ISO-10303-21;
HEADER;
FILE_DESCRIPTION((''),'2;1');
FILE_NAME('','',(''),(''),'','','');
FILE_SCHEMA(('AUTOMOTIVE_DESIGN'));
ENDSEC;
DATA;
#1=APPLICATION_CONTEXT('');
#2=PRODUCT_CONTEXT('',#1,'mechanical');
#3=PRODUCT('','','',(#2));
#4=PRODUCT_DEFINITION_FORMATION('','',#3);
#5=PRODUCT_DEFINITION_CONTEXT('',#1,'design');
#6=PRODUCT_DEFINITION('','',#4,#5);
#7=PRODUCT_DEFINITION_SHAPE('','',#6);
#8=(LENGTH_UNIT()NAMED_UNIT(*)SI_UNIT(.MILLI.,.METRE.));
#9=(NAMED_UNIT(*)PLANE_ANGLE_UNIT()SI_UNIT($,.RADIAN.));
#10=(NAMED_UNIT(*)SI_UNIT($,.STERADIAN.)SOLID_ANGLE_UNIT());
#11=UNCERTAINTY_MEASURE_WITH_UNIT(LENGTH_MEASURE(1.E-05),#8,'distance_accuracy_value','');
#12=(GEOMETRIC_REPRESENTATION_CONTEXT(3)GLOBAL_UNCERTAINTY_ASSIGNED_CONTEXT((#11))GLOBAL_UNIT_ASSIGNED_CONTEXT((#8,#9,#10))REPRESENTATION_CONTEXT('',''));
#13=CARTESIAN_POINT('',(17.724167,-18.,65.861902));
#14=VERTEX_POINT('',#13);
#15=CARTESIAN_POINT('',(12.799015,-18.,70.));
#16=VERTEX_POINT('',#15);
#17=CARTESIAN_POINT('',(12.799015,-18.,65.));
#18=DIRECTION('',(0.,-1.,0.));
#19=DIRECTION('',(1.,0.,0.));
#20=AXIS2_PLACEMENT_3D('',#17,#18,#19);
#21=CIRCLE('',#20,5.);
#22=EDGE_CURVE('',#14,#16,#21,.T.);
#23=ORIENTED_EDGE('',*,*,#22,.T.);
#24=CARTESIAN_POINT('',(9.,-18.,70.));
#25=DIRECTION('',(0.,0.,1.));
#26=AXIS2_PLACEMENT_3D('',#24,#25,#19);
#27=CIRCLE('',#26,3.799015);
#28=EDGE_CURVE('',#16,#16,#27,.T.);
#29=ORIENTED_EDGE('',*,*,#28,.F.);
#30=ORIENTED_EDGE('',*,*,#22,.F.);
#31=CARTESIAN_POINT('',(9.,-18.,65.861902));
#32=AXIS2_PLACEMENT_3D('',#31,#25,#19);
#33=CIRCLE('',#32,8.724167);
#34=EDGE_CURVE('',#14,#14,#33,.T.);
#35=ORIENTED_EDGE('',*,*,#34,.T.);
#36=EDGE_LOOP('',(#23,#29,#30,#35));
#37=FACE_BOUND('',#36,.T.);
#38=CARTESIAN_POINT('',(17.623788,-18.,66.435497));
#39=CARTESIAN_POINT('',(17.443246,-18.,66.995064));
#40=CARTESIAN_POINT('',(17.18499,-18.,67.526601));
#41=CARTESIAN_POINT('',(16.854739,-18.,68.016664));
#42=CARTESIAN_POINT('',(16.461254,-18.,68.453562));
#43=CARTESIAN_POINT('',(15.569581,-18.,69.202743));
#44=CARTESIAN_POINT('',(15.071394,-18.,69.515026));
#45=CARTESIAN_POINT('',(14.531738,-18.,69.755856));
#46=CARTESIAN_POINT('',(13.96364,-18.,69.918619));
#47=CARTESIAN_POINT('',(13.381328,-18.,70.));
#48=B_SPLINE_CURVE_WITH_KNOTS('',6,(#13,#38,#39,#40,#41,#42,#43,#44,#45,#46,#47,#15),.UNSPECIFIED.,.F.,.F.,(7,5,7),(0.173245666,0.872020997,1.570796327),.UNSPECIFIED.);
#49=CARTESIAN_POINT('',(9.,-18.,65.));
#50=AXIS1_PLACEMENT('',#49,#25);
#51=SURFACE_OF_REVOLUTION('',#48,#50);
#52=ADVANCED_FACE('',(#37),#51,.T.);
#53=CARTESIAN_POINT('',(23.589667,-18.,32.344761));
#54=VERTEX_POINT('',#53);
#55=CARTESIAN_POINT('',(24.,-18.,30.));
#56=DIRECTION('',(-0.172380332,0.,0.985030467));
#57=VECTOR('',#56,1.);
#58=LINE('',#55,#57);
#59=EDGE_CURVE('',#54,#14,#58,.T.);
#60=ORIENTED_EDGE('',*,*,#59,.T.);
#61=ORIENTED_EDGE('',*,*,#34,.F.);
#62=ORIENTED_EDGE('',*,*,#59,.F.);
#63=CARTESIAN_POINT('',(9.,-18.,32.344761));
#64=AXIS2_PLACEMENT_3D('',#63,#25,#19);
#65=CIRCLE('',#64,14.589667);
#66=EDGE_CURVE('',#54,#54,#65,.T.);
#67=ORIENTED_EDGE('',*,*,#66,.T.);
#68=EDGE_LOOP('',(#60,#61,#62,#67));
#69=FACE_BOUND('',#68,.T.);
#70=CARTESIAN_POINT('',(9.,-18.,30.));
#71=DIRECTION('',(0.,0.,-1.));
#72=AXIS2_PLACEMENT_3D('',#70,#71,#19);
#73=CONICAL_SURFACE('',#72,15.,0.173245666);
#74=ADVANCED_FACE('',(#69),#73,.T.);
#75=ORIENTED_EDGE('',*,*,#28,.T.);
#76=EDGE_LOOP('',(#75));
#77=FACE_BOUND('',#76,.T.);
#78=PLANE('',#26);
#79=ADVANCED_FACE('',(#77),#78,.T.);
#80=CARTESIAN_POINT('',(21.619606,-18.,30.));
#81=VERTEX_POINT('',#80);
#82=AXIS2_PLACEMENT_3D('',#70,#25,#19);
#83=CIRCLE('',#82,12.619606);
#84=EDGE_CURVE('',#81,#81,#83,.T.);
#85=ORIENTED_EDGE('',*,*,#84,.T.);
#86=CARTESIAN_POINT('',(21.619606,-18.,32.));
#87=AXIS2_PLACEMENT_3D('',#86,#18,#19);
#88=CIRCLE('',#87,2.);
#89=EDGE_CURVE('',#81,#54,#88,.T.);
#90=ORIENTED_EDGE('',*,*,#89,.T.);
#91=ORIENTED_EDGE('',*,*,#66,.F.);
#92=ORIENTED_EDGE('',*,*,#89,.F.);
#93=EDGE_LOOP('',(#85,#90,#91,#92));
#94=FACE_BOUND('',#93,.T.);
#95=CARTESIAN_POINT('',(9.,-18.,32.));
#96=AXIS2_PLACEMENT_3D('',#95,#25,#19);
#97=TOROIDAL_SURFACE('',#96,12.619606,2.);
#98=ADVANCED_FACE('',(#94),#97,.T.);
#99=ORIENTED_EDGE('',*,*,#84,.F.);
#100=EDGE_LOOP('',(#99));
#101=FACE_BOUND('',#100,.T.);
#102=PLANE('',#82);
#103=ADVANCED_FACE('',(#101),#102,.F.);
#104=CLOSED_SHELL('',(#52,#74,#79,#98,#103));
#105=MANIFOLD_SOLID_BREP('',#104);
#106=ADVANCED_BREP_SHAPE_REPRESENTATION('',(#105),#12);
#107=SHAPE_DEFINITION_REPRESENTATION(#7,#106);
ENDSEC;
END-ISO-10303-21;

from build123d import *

# Parameters (mm, degrees)
FILLET014_R = 2
FILLET015_R = 5


with BuildPart() as part:
    # Cone014 → Cone014 (revolve)
    with BuildSketch(Plane(origin=(10, -18, 16), x_dir=(1, 0, 0), z_dir=(0, -1, 0))):
        Polygon((0, 0), (15, 0), (8, 40), (0, 40), align=None)
    revolve(axis=Axis((10, -18, 16), (0, 0, 1)))

    # Fillet014
    fillet014_edges = [part.edges().sort_by_distance(p)[0] for p in [
        (-5, -18, 16),
    ]]
    fillet(fillet014_edges, radius=FILLET014_R)


with BuildPart() as part_1:
    # Fillet014 placement: moved
    add(part.part.moved(Location((0, 0, 14))))

    # Fillet015
    fillet015_edges = [part_1.edges().sort_by_distance(p)[0] for p in [
        (2, -18, 70),
    ]]
    fillet(fillet015_edges, radius=FILLET015_R)


with BuildPart() as part_2:
    # Fillet015 placement: moved
    add(part_1.part.moved(Location((-1, 0, 0))))


solid = part_2.part
